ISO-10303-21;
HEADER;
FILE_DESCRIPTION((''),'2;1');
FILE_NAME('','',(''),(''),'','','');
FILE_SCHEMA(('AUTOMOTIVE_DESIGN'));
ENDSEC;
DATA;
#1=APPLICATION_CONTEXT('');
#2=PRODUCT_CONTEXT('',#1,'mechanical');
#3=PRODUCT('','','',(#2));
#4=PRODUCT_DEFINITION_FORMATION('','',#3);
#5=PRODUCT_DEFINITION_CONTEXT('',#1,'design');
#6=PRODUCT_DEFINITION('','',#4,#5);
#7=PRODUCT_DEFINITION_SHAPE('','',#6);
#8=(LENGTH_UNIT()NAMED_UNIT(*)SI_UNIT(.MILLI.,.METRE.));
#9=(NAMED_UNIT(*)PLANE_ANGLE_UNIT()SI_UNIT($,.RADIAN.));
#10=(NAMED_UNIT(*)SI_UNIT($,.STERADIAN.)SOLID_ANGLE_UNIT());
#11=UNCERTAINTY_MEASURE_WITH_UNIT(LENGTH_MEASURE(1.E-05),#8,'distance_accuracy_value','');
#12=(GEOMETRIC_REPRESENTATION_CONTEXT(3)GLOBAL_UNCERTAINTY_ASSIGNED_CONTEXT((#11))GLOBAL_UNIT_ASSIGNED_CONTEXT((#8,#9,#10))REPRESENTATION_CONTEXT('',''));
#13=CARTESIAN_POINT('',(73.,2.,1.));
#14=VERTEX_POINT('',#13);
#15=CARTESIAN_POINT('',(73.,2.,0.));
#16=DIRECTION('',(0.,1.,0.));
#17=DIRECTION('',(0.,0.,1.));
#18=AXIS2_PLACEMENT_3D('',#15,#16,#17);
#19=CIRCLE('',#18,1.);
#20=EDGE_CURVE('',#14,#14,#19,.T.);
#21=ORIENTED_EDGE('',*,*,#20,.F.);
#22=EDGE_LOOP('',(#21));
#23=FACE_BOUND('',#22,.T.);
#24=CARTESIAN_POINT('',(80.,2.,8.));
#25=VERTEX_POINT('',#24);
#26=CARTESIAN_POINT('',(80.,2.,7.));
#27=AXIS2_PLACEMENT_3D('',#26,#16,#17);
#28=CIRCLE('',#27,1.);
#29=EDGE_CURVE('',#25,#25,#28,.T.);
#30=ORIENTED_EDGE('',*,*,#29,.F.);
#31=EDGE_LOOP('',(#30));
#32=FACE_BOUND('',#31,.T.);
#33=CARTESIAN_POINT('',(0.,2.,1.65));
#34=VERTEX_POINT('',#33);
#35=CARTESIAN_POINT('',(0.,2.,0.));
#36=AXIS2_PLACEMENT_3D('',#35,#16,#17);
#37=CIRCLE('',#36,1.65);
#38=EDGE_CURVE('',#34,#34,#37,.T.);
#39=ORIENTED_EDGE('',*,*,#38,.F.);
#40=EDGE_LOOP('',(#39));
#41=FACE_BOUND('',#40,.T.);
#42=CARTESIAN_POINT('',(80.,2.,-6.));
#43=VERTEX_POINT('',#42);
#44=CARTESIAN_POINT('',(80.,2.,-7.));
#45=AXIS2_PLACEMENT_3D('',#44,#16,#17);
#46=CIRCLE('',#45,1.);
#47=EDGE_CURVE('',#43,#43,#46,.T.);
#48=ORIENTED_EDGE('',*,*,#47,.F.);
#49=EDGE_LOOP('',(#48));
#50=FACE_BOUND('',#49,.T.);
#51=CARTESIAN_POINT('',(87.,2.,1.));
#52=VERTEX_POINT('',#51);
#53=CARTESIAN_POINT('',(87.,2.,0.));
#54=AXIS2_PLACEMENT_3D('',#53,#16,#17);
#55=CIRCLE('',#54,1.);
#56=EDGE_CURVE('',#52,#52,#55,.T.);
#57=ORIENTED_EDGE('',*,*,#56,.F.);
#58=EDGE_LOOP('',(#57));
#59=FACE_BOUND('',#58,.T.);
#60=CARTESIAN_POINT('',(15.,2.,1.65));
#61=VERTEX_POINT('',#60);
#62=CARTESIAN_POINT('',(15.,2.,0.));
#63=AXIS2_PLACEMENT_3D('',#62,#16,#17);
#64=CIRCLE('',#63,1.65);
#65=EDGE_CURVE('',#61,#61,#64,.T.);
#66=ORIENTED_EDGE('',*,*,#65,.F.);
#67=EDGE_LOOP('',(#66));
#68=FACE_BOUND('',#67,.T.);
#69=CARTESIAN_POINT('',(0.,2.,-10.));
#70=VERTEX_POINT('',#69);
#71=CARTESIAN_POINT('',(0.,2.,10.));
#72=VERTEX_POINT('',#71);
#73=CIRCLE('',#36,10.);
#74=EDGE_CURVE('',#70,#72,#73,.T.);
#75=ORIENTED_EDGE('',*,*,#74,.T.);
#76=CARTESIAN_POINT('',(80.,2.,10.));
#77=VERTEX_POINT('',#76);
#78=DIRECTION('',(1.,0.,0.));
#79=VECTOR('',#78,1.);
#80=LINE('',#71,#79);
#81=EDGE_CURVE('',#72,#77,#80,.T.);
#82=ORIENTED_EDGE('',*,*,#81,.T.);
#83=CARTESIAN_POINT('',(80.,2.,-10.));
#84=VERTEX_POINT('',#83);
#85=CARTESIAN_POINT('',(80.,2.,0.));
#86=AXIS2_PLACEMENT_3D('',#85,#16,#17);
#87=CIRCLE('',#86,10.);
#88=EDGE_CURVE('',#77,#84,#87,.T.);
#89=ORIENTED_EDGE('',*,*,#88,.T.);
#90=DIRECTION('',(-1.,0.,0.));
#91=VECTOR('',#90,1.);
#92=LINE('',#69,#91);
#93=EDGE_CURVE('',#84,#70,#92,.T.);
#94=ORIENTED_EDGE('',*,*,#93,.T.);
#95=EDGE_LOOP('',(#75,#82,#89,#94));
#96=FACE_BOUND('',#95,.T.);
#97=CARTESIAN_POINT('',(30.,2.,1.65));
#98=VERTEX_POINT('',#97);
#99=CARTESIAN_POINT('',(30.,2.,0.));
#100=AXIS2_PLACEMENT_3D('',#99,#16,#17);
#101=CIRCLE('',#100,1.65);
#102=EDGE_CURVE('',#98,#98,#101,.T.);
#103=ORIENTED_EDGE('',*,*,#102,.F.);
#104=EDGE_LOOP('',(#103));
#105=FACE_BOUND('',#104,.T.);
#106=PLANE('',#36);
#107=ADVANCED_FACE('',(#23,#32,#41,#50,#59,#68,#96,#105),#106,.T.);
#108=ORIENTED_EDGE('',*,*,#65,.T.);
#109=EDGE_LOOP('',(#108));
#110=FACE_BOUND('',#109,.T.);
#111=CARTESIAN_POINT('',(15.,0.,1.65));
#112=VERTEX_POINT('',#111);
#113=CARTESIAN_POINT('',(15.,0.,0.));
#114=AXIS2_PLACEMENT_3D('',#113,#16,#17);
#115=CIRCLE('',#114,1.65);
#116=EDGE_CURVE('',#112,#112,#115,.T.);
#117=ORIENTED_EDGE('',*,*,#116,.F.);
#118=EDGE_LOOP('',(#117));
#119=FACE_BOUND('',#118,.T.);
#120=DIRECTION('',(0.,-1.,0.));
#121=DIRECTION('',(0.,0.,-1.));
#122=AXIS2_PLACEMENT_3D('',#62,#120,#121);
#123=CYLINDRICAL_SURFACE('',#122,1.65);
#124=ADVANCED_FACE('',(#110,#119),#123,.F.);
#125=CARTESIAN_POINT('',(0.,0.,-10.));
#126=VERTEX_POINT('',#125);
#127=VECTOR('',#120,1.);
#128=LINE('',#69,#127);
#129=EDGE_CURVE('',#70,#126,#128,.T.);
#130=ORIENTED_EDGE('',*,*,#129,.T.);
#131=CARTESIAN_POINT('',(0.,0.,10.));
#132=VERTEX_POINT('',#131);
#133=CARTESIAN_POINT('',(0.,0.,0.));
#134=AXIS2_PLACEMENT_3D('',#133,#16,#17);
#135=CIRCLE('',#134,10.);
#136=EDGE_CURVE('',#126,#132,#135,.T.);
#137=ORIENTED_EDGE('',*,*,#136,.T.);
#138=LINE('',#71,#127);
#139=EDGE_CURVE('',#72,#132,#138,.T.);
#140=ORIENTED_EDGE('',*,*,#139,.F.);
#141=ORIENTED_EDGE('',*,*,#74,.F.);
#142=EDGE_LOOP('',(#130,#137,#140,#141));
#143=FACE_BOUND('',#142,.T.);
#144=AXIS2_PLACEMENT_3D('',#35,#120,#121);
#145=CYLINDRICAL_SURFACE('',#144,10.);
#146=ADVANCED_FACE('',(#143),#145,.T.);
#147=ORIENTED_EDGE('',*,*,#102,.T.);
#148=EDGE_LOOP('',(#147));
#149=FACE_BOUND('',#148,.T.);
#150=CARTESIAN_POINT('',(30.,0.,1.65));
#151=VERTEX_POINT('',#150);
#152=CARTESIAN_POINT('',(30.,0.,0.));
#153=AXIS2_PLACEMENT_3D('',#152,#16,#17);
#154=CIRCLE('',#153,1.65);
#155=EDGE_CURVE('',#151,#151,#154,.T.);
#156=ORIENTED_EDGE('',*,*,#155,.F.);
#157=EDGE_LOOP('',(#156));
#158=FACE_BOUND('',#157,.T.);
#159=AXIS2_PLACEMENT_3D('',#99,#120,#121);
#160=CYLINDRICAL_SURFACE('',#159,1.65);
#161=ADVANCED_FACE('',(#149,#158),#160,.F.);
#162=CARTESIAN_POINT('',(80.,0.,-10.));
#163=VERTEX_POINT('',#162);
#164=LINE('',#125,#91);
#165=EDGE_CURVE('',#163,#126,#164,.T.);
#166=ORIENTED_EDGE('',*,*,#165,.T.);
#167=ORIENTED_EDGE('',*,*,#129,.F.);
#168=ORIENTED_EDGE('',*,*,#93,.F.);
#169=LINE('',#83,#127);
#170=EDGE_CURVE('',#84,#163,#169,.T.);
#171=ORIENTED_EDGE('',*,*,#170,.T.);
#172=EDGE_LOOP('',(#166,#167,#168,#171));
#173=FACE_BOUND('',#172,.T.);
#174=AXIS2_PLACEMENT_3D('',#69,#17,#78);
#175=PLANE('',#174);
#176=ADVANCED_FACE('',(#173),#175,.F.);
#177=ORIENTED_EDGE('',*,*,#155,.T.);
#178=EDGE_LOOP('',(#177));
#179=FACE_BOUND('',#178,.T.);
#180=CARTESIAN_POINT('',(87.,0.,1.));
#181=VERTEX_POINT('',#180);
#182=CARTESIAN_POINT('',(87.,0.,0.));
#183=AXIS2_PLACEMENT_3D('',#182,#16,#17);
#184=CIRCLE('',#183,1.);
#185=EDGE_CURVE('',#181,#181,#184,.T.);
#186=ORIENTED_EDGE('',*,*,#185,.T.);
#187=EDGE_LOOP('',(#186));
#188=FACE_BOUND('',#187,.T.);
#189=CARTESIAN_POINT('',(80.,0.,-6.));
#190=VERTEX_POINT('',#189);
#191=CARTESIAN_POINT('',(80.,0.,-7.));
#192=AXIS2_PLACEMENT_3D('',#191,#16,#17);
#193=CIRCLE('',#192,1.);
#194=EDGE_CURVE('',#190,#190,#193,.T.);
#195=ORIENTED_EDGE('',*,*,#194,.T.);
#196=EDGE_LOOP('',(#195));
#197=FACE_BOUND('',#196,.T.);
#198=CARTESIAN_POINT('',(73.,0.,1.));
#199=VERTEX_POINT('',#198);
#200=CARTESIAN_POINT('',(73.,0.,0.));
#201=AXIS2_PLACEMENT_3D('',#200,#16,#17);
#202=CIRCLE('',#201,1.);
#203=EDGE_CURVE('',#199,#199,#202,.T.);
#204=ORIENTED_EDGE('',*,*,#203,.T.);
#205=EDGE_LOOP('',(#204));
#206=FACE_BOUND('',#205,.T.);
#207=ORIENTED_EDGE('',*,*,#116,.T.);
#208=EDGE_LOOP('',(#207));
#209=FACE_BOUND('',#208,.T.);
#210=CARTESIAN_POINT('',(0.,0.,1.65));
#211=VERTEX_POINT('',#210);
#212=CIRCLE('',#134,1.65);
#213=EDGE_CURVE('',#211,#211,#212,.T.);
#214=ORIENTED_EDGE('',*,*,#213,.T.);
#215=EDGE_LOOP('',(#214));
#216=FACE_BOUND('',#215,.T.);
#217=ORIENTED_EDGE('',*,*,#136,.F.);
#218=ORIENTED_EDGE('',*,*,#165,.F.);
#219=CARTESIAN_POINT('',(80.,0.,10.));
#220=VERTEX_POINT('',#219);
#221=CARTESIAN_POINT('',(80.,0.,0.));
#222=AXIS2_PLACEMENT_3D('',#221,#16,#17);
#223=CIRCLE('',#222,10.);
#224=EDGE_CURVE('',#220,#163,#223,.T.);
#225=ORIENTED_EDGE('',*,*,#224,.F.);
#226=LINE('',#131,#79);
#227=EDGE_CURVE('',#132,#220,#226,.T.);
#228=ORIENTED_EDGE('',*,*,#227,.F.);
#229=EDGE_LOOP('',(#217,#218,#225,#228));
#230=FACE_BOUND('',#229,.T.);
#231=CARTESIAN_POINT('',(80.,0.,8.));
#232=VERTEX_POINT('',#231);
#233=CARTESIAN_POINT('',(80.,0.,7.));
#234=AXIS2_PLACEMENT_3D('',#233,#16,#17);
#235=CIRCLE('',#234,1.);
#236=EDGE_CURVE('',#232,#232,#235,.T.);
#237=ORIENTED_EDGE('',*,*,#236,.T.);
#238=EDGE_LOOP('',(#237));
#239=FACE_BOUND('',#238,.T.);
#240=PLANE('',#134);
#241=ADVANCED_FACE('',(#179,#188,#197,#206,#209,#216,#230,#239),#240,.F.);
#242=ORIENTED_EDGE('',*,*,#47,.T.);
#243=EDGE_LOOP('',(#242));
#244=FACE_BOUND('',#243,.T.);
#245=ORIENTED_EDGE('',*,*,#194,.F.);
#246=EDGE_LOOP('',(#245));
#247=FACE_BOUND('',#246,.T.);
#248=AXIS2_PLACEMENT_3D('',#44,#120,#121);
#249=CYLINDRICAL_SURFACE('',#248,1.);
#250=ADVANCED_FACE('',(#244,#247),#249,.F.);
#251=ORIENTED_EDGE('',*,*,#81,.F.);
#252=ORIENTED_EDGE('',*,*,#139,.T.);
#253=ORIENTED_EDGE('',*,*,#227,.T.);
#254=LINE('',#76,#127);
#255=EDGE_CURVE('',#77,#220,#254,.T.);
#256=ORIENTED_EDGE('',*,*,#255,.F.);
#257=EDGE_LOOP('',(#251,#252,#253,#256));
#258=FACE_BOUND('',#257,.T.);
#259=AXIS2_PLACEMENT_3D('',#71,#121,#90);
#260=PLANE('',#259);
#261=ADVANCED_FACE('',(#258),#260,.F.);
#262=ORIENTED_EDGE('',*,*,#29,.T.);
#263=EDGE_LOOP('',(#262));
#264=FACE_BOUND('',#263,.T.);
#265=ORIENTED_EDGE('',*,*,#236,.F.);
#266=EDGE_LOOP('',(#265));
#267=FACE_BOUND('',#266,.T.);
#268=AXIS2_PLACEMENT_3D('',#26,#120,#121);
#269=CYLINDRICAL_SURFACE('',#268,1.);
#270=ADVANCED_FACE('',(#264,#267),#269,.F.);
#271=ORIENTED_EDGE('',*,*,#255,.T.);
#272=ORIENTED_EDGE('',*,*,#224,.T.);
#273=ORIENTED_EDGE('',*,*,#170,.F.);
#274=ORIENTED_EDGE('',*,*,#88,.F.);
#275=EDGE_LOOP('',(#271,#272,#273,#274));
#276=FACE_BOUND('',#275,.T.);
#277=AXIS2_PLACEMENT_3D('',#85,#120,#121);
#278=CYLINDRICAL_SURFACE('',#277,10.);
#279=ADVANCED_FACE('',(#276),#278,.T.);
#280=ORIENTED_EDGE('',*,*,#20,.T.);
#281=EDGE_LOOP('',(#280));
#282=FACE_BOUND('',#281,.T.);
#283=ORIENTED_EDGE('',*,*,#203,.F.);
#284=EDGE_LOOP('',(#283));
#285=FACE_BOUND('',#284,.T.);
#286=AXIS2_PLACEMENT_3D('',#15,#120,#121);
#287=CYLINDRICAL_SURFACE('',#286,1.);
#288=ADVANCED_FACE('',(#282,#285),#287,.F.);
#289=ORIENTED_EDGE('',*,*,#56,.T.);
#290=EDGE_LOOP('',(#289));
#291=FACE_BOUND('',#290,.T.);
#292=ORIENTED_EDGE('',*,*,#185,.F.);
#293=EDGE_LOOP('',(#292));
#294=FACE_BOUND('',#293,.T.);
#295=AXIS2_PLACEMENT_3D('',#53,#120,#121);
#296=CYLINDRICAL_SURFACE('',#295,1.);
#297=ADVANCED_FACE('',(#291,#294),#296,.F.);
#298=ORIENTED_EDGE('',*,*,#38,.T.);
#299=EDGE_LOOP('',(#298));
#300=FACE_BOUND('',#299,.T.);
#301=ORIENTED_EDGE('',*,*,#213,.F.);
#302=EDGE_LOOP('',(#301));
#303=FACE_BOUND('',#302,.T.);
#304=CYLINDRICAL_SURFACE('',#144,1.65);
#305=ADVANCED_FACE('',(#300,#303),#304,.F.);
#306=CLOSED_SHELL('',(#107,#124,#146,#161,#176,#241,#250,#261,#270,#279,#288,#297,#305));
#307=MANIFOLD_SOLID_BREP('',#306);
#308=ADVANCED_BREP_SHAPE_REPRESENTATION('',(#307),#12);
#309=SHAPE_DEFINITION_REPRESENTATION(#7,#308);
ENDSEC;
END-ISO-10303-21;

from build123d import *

# Parameters (mm, degrees)
SKETCH_1_R      = 1.65
SKETCH_1_R_2    = 1
EXTRUDE_1_DEPTH = 2


with BuildPart() as part:
    # Эскиз1 → Бобышка-Вытянуть1 (new body)
    with BuildSketch(Plane(origin=(0, 0, 0), x_dir=(1, 0, 0), z_dir=(0, 1, 0))):
        with BuildLine():
            Line((0, 10), (80, 10))
            ThreePointArc((80, 10), (90, 0), (80, -10))
            Line((80, -10), (0, -10))
            ThreePointArc((0, -10), (-10, 0), (0, 10))
        make_face()
        with Locations(Location((30, 0, 0), (0, 0, 270))):
            Circle(SKETCH_1_R, mode=Mode.SUBTRACT)
        with Locations(Location((0, 0, 0), (0, 0, 270))):
            Circle(SKETCH_1_R, mode=Mode.SUBTRACT)
        with Locations(Location((15, 0, 0), (0, 0, 270))):
            Circle(SKETCH_1_R, mode=Mode.SUBTRACT)
        with Locations(Location((80, 7, 0), (0, 0, 270))):
            Circle(SKETCH_1_R_2, mode=Mode.SUBTRACT)
        with Locations(Location((87, 0, 0), (0, 0, 270))):
            Circle(SKETCH_1_R_2, mode=Mode.SUBTRACT)
        with Locations(Location((73, 0, 0), (0, 0, 270))):
            Circle(SKETCH_1_R_2, mode=Mode.SUBTRACT)
        with Locations(Location((80, -7, 0), (0, 0, 270))):
            Circle(SKETCH_1_R_2, mode=Mode.SUBTRACT)
    extrude(amount=EXTRUDE_1_DEPTH)


solid = part.part
